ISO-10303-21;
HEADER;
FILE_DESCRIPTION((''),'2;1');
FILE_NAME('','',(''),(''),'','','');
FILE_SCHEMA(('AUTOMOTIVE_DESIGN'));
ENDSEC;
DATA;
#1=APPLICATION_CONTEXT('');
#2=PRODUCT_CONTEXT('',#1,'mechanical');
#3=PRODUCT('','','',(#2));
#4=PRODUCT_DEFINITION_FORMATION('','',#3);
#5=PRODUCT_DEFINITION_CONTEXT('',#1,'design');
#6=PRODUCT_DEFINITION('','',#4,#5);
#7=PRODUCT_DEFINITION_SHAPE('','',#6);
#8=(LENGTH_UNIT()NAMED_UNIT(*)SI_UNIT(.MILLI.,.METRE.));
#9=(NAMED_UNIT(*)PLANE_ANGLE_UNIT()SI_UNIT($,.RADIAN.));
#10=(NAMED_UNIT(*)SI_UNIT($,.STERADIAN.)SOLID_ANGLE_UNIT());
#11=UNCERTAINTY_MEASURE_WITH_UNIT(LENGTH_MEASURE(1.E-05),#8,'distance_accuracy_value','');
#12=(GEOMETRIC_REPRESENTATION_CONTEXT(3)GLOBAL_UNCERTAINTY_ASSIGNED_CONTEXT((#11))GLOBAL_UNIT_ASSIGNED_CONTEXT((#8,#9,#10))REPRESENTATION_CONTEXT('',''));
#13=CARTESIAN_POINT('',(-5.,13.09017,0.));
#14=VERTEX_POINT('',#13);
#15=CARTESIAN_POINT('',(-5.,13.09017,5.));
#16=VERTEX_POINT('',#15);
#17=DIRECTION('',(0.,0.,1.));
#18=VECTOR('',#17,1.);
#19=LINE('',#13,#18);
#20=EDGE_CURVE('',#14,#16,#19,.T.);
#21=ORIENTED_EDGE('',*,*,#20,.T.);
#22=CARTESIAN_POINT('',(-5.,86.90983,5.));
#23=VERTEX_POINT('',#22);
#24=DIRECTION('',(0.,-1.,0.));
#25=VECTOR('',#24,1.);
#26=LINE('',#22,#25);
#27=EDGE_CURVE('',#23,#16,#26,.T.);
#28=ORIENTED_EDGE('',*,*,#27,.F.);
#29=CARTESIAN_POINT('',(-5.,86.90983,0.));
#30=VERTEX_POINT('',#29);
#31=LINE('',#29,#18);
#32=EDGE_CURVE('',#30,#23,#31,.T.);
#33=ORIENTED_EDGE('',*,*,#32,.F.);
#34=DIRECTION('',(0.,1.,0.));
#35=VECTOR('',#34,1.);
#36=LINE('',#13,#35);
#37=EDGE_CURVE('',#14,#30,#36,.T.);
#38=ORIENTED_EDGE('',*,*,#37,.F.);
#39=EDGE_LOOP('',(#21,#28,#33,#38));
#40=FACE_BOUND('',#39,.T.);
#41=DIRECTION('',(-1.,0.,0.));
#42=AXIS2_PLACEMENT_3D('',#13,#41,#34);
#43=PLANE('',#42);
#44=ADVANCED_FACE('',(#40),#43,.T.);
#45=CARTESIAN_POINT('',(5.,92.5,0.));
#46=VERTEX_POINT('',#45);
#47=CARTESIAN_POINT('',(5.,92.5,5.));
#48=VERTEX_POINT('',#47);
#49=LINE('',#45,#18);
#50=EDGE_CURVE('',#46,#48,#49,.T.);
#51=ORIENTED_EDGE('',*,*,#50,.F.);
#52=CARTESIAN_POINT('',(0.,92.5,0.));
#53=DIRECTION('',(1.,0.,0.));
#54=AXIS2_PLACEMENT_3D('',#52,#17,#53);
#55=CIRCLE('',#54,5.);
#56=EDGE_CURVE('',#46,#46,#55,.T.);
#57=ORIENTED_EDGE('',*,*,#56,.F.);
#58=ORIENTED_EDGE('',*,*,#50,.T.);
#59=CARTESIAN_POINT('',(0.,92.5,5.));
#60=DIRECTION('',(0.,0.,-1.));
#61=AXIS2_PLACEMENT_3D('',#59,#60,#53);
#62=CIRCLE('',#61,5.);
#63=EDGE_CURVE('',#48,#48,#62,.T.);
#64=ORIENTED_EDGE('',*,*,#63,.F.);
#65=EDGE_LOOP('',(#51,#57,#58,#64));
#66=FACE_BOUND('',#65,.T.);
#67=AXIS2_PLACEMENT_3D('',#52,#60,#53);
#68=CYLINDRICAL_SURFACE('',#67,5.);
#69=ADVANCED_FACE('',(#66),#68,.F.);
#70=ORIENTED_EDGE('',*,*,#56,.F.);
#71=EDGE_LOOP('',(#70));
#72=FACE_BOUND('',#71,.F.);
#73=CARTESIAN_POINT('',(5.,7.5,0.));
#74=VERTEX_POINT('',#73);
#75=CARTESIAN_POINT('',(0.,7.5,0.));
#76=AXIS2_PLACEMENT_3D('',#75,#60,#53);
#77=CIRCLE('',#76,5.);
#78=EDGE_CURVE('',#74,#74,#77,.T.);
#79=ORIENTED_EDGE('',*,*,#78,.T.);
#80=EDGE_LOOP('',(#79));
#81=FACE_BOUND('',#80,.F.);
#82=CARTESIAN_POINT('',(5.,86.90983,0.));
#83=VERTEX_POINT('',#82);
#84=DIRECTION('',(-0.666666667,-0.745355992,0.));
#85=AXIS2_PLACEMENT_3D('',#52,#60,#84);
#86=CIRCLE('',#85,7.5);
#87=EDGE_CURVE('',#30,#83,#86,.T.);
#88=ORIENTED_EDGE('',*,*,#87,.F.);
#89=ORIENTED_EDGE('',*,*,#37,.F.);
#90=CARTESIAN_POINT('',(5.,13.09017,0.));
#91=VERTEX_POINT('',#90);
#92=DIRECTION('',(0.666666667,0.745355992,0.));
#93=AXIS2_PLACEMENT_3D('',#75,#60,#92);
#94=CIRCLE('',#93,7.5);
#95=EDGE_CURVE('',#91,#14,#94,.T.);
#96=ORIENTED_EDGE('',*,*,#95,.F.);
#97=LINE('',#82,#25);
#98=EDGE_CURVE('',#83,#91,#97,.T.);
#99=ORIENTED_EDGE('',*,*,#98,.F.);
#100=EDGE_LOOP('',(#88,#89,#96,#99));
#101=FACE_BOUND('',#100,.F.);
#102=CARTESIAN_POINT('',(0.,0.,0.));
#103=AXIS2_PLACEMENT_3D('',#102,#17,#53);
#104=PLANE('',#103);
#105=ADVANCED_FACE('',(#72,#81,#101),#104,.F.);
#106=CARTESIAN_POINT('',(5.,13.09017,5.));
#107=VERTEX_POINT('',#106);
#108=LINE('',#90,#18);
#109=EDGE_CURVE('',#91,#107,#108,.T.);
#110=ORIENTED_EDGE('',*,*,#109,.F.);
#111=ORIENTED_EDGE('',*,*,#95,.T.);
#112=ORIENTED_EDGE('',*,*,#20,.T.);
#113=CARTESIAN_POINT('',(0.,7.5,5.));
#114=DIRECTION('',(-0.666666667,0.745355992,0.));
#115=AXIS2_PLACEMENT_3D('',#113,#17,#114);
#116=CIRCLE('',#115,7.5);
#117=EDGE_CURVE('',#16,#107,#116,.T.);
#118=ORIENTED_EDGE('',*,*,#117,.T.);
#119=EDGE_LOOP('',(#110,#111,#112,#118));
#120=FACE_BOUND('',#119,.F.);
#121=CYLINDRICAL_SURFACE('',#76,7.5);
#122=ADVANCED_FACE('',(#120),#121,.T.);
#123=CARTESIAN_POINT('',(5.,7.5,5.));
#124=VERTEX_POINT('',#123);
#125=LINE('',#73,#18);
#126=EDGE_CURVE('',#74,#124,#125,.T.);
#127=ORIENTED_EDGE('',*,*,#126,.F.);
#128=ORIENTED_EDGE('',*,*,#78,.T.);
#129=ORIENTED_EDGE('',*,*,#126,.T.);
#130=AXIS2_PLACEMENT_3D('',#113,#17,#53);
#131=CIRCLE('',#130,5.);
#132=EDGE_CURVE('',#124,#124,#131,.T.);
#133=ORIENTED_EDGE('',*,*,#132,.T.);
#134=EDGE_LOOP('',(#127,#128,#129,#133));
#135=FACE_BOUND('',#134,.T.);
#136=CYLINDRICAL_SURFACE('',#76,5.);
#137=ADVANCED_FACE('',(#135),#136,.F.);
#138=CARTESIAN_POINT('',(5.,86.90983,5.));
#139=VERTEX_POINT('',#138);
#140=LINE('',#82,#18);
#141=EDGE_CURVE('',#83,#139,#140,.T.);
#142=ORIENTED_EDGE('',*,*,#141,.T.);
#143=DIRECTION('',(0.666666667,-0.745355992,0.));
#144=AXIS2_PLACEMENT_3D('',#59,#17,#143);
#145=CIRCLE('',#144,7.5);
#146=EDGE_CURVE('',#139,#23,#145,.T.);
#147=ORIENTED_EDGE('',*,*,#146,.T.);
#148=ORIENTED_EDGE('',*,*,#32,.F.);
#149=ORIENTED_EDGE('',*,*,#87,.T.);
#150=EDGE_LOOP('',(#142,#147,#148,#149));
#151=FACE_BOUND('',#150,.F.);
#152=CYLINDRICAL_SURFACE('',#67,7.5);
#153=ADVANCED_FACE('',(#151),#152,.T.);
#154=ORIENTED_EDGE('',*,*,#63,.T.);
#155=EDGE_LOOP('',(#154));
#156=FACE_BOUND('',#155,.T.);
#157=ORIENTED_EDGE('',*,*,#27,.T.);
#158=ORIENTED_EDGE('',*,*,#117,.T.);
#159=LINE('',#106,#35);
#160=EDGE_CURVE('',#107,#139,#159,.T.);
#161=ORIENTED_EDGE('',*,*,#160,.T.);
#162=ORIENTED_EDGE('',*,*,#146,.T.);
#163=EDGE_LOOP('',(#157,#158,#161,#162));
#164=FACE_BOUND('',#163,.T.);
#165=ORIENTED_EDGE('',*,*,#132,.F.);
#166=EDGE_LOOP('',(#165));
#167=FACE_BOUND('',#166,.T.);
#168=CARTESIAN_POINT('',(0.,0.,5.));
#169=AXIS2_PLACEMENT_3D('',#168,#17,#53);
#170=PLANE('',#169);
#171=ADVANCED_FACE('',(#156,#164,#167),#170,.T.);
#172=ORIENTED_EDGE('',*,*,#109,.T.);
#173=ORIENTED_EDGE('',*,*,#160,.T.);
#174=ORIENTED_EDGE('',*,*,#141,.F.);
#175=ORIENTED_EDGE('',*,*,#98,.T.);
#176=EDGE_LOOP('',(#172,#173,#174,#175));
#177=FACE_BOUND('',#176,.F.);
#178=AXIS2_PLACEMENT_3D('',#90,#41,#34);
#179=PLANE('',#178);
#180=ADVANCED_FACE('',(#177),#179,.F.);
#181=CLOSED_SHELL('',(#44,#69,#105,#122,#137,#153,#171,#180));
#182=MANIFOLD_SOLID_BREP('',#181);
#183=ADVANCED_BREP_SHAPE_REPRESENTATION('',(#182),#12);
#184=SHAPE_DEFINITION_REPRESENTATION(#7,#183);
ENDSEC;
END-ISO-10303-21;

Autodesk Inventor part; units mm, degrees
ref_plane "YZ Plane" through (0, 0, 0) normal (1, 0, 0) x (0, 1, 0)
ref_plane "XZ Plane" through (0, 0, 0) normal (0, 1, 0) x (-1, 0, 0)
ref_plane "XY Plane" through (0, 0, 0) normal (0, 0, 1) x (1, 0, 0)
sketch "Sketch1" plane through (0, 0, 0) normal (0, 0, 1) x (1, 0, 0)
  line L0 (0, 0) -> (-5, 0)
  line L1 (-5, 0) -> (-5, 98.0902)
  line L2 (-3.75, 100) -> (-1.25, 100)
  line L3 (0, 0) -> (5, 0)
  line L4 (5, 0) -> (5, 98.0902)
  line L5 (2.5, 195) -> (0, 195)
  circle A0 centre (0, 92.5) radius 7.5
  circle A1 centre (0, 92.5) radius 5
  line L6 (0, 195) -> (0, 188.836)
  line L7 (5, 0) -> (5, 50)
  line L8 (5, 50) -> (-5, 50)
  circle A2 centre (0, 7.5) radius 7.5
  circle A3 centre (0, 7.5) radius 5
  line L9 (0, 0) -> (0, 25.2031)
  point P0 (-2.5, 0)
  point P1 (5, 86.9098)
  point P2 (-5, 86.9098)
  point P3 (-5, 13.0902)
  point P4 (5, 13.0902)
  dimension "d1" = 100
  dimension "d4" = 15
  dimension "d5" = 10
  dimension "d6" = 50
  dimension "d9" = 5
  dimension "d10" = 5
extrude "Extrusion1" add sketch "Sketch1" along normal blind 5 contours L9 A3 L4 A2 | A2 L1 A3 L9 | A2 L1 | L4 A2 | L1 A2 L9 A3 | L1 L8 L4 A2 | A3 L9 A2 L4 | L1 A0 L4 L8 | A0 L1 | L1 A1 L4 A0 | L1 A0 L4 A1 | L4 A0
properties part number "FP V2 Lengan Serok" material "Aluminum 6061"
